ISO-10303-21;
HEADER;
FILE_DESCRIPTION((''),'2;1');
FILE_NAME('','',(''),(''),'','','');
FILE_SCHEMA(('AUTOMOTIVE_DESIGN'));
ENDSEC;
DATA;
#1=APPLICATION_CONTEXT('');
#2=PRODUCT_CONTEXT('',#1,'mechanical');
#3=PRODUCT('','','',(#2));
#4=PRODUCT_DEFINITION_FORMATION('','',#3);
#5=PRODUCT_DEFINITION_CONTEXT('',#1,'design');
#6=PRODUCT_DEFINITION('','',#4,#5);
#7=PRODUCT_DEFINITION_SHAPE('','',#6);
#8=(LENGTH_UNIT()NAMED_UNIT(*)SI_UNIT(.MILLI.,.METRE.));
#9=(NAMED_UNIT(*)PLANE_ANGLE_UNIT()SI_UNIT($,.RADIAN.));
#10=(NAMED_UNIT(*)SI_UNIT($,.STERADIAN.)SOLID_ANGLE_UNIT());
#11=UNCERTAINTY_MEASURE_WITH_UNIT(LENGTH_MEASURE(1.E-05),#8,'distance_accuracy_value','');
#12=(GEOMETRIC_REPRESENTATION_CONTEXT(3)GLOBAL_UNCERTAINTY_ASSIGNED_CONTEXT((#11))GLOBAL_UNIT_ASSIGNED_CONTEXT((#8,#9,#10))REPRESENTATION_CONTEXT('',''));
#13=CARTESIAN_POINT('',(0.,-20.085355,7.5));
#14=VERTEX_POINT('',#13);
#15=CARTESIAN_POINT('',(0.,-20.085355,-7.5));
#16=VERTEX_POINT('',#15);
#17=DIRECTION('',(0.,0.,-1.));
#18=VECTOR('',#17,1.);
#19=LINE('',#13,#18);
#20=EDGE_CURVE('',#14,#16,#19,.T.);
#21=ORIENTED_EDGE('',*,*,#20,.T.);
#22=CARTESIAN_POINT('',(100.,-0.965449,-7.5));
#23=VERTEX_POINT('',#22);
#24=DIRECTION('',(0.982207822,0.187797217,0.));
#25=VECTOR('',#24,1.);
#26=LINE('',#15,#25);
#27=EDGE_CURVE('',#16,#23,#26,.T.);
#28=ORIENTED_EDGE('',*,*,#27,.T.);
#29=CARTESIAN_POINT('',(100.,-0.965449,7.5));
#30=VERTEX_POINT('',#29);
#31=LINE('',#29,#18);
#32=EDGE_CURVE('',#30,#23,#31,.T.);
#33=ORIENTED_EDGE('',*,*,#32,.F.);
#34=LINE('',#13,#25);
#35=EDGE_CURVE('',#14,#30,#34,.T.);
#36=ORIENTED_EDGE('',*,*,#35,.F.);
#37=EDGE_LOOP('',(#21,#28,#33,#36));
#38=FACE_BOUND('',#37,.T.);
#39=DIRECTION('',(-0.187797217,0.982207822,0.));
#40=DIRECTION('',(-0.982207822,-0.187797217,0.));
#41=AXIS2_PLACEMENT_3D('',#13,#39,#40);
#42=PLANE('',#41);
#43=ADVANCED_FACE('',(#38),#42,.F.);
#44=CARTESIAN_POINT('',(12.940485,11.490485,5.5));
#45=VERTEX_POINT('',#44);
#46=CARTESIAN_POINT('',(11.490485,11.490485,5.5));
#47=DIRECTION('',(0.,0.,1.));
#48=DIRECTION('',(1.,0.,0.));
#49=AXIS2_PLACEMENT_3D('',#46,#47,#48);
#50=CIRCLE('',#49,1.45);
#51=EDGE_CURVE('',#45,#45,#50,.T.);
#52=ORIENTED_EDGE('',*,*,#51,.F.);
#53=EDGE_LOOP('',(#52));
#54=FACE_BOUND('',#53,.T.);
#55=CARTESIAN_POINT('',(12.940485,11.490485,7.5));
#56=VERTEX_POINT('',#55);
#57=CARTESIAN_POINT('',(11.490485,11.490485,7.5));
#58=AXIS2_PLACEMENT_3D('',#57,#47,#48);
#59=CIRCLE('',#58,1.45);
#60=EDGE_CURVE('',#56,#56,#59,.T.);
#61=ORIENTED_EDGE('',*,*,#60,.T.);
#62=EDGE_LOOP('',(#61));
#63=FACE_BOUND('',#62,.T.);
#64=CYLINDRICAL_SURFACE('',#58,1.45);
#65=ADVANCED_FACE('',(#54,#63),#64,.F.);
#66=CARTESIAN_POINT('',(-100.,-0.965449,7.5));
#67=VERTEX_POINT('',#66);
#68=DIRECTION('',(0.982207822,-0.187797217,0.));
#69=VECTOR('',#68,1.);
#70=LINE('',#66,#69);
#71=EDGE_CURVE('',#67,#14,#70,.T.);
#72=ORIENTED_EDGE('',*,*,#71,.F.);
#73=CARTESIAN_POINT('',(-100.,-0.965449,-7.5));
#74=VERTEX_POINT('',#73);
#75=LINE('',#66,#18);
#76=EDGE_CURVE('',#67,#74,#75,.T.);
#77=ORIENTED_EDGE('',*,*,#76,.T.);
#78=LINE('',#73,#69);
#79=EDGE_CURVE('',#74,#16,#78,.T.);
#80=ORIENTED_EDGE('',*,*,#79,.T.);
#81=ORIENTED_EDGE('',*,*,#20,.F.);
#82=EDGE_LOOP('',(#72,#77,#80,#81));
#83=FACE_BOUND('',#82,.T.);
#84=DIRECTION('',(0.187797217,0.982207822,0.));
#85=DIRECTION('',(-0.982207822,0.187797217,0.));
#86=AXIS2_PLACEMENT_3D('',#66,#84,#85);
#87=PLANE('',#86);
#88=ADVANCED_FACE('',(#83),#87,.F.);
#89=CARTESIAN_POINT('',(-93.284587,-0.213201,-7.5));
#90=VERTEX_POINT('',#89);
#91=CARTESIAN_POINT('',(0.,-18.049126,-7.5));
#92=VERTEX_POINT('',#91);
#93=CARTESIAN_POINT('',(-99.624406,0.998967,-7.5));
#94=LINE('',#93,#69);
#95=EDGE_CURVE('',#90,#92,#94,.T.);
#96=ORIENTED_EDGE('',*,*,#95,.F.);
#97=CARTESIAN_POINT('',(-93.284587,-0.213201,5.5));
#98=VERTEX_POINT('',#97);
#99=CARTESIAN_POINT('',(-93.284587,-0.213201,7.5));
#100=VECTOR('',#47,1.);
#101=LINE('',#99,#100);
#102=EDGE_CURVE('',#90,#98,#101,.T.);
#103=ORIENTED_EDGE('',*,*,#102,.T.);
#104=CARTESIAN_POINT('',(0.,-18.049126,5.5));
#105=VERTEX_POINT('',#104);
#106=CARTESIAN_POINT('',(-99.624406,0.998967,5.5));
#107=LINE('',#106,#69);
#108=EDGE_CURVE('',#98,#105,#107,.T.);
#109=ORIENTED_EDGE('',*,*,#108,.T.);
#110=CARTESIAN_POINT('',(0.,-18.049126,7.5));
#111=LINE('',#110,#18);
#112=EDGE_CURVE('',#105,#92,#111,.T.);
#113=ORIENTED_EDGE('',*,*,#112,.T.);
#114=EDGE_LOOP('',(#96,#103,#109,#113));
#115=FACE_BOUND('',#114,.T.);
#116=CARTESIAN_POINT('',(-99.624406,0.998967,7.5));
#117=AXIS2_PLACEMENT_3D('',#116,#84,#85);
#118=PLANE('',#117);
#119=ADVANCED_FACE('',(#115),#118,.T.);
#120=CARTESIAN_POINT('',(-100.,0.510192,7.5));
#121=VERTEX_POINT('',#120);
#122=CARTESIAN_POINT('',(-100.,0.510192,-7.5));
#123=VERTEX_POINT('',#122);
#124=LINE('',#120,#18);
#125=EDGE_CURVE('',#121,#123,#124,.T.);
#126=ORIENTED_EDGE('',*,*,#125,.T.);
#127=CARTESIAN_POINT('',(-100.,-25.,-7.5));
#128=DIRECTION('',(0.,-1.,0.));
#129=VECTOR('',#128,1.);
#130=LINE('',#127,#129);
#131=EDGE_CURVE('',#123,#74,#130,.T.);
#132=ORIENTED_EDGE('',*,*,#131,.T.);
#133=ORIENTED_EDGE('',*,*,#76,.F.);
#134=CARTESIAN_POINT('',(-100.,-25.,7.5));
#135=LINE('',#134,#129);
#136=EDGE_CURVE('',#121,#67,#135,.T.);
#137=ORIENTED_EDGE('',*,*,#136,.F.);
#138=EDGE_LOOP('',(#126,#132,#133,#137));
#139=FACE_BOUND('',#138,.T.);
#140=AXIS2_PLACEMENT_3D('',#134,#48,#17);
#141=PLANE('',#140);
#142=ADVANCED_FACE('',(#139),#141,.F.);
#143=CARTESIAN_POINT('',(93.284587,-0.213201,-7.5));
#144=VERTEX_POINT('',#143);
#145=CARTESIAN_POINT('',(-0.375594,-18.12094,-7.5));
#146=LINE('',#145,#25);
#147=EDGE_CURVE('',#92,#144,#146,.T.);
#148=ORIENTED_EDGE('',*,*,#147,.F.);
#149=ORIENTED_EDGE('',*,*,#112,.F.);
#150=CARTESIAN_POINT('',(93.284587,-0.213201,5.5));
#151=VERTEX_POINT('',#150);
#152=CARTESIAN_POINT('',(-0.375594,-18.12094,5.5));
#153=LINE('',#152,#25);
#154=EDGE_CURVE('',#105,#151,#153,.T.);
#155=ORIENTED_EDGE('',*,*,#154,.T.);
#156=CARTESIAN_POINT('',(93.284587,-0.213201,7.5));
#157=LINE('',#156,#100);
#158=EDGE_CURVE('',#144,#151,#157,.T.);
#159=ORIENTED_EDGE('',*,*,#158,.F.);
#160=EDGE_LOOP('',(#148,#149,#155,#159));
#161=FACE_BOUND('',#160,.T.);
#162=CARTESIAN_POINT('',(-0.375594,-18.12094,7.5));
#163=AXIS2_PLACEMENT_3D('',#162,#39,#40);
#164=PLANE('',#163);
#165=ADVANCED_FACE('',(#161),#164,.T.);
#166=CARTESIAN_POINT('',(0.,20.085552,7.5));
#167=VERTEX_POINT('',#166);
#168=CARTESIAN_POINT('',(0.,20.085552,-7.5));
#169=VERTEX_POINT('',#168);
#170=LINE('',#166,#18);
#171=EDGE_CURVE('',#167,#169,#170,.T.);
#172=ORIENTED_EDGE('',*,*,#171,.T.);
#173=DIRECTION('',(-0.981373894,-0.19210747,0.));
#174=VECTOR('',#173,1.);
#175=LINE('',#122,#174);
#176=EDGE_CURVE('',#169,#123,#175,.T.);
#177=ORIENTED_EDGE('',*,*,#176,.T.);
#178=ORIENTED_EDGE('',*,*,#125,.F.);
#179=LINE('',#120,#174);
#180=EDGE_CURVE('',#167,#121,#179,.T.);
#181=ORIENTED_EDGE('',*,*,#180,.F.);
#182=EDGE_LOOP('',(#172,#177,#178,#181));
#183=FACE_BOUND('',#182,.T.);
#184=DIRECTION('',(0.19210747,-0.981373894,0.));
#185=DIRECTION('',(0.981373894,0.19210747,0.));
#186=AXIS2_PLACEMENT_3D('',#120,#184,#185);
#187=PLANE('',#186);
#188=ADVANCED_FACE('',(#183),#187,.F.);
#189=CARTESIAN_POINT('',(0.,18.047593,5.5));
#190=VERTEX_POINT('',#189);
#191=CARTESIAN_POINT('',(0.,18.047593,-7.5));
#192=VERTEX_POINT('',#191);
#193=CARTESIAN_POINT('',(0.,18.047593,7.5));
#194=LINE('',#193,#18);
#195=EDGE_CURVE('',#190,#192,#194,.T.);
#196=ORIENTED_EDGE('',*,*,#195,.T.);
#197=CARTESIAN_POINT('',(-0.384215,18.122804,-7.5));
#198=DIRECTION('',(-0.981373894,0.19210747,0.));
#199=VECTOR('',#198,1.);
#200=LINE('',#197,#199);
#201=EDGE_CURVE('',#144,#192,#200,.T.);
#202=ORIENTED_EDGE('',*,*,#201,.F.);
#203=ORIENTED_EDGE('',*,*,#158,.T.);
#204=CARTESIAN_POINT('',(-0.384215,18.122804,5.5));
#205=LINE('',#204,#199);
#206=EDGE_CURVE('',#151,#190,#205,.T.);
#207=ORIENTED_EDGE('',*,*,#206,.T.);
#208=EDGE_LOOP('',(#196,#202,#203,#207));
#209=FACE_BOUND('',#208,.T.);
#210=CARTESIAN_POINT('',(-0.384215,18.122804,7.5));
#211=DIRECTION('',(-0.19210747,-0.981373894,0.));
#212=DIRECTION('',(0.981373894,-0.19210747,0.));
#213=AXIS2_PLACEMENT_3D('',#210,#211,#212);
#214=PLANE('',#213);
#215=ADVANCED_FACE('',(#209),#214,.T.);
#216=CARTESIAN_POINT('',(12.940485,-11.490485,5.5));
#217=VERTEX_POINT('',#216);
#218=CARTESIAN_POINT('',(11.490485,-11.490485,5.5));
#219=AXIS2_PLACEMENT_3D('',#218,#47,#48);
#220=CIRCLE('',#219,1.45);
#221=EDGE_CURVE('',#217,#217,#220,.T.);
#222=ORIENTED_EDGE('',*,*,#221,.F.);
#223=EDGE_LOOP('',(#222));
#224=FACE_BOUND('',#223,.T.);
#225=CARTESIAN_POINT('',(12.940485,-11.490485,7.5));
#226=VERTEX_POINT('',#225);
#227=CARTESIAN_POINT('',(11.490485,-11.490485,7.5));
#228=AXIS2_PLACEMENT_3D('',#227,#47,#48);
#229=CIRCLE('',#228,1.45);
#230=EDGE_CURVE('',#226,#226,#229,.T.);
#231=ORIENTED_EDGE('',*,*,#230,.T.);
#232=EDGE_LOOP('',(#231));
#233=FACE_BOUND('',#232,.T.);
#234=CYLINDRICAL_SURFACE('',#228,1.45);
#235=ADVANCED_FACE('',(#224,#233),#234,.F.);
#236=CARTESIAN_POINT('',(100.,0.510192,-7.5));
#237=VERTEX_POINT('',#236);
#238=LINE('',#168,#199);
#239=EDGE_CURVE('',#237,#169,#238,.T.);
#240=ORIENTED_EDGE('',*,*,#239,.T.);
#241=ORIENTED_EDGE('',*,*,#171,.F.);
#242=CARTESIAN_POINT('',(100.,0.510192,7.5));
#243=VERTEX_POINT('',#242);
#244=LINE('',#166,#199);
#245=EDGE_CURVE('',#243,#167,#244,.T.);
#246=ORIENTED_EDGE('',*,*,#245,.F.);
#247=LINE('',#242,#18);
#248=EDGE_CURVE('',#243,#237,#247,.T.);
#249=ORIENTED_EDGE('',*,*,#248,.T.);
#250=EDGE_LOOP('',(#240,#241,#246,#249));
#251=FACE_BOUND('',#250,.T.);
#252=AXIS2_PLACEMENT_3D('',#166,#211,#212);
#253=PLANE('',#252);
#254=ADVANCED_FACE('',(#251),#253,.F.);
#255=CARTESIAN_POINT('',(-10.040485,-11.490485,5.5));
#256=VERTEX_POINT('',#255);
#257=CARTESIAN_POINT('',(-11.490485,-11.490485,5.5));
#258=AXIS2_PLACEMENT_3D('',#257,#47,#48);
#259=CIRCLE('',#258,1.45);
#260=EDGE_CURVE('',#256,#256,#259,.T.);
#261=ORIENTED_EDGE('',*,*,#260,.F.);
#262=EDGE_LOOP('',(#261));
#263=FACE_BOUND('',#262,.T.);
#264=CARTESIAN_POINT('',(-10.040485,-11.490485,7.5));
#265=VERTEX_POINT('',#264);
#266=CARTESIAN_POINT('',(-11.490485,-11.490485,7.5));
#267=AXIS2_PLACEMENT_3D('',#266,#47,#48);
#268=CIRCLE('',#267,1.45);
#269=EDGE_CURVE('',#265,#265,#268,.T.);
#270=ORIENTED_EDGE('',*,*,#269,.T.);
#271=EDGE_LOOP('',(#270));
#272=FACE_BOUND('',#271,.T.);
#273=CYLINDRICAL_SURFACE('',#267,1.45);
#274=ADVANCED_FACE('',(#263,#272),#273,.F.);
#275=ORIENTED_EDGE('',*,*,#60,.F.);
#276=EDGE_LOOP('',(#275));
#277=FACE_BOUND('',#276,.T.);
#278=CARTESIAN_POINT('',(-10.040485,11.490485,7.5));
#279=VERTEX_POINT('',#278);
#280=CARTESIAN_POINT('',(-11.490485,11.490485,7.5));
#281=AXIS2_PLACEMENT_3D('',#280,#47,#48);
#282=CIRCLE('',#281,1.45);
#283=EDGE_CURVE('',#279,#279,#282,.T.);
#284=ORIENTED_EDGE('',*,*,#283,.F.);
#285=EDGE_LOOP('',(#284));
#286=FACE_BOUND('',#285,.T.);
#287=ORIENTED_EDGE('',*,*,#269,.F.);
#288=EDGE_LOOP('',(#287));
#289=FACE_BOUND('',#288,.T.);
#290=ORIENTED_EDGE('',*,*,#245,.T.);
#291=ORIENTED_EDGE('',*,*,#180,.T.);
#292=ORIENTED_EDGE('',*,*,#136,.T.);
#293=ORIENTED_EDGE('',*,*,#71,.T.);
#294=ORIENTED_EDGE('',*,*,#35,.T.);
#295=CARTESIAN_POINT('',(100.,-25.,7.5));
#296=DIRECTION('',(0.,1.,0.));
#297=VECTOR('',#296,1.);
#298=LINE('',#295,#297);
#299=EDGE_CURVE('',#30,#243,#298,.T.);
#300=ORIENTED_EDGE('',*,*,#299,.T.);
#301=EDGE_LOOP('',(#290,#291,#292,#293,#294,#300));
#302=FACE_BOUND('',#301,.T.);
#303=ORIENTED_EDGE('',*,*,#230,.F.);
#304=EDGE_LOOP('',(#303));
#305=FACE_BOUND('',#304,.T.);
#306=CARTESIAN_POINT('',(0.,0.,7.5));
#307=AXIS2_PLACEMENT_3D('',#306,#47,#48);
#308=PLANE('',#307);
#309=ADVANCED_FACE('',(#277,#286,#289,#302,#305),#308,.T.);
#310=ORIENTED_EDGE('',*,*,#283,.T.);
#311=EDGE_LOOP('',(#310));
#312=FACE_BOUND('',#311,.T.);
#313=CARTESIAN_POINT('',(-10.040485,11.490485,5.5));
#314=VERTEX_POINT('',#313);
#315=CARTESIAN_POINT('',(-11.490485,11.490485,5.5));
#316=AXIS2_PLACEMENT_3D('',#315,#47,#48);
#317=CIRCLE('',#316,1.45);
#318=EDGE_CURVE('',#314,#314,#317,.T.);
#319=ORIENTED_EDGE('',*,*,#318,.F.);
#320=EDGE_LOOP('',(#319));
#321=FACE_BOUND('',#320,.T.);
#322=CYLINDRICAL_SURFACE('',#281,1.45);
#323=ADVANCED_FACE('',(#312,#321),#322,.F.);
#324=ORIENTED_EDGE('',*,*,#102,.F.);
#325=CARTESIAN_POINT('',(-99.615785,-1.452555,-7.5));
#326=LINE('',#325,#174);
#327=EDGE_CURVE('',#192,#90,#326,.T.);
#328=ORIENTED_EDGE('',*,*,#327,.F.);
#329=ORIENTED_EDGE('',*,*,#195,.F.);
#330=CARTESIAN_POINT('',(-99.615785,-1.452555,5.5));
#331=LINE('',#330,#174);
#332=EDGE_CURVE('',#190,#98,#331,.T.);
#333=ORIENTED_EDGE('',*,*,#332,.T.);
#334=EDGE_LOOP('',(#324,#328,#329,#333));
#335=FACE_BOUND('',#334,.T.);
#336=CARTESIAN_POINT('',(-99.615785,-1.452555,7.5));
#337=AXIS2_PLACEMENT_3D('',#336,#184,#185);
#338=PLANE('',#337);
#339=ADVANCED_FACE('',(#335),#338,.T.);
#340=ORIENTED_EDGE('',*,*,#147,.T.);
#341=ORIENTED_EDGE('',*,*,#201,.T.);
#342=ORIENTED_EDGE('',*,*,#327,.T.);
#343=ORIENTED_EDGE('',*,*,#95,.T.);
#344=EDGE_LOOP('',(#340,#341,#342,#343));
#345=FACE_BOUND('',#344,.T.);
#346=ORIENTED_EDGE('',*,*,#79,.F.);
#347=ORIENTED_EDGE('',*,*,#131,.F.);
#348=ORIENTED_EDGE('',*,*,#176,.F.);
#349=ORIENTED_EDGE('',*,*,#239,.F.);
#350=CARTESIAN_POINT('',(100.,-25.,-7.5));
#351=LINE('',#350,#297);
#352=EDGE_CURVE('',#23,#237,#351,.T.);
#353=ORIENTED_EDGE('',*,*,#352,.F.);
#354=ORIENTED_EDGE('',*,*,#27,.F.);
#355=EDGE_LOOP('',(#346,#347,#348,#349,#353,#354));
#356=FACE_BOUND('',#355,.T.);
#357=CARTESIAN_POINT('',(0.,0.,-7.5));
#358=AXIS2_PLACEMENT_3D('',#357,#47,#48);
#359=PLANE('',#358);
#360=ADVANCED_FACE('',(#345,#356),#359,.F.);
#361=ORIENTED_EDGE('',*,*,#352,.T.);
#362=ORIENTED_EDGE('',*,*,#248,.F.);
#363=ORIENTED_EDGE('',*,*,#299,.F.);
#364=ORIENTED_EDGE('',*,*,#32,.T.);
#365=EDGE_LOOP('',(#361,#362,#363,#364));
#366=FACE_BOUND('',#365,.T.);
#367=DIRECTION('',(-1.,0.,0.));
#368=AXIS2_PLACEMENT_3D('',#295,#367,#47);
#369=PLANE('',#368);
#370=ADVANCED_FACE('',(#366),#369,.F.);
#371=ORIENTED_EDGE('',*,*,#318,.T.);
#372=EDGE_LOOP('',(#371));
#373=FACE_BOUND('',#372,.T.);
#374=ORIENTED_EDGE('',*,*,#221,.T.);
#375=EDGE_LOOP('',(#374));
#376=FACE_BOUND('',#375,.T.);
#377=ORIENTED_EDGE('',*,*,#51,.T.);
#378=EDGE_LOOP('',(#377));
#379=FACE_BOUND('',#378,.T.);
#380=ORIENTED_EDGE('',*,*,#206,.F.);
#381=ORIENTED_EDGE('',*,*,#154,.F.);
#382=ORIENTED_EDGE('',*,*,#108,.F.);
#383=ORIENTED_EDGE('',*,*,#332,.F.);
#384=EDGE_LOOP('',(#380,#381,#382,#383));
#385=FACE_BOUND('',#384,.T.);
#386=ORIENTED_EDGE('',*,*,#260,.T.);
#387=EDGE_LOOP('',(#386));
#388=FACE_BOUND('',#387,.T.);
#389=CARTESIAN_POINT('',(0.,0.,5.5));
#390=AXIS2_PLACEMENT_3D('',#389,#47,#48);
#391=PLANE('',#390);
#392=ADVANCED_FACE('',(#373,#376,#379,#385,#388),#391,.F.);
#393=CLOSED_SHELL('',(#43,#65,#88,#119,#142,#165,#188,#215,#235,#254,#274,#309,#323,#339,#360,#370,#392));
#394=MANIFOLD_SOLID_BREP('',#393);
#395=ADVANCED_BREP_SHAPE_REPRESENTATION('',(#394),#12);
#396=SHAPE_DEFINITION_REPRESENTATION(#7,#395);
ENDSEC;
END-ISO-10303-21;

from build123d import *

# Parameters (mm, degrees)
SKETCH1_W              = 200
SKETCH1_H              = 50
BOSS_EXTRUDE1_DEPTH    = 7.5
CUT_EXTRUDE1_DEPTH     = 105.16333328
SHELL2_T               = -2
F_20_0MM_DOWEL_HOLE1_D = 2.9


with BuildPart() as part:
    # Sketch1 → Boss-Extrude1 (new, symmetric)
    with BuildSketch(Plane.XY):
        Rectangle(SKETCH1_W, SKETCH1_H)
    extrude(amount=BOSS_EXTRUDE1_DEPTH, both=True)

    # Sketch15 → Cut-Extrude1 (cut, through all)
    with BuildSketch(Plane(origin=(0, 0, -7.5), x_dir=(-1, 0, 0), z_dir=(0, 0, -1))):
        Polygon((-100.000000026, 0.510192391), (-100, 25), (100, 25), (100.000000026, 0.510192391), (0, 20.08555215), align=None)
        Polygon((-100.000000029, -0.965448702), (-100, -25), (100, -25), (100, -0.965448702), (0, -20.08535521), align=None)
    extrude(amount=-CUT_EXTRUDE1_DEPTH, mode=Mode.SUBTRACT)

    # Shell2
    shell2_openings = [part.faces().sort_by_distance(p)[0] for p in [
        (4e-09, -0.078500046, -7.5),
    ]]
    offset(amount=SHELL2_T, openings=shell2_openings)

    # Ø20.0mm Dowel Hole1 (through all)
    with Locations(Plane.XY.offset(7.5)):
        with Locations((-11.490485194, 11.490485194), (11.490485194, -11.490485194), (11.490485194, 11.490485194), (-11.490485194, -11.490485194)):
            Hole(F_20_0MM_DOWEL_HOLE1_D / 2)


solid = part.part
